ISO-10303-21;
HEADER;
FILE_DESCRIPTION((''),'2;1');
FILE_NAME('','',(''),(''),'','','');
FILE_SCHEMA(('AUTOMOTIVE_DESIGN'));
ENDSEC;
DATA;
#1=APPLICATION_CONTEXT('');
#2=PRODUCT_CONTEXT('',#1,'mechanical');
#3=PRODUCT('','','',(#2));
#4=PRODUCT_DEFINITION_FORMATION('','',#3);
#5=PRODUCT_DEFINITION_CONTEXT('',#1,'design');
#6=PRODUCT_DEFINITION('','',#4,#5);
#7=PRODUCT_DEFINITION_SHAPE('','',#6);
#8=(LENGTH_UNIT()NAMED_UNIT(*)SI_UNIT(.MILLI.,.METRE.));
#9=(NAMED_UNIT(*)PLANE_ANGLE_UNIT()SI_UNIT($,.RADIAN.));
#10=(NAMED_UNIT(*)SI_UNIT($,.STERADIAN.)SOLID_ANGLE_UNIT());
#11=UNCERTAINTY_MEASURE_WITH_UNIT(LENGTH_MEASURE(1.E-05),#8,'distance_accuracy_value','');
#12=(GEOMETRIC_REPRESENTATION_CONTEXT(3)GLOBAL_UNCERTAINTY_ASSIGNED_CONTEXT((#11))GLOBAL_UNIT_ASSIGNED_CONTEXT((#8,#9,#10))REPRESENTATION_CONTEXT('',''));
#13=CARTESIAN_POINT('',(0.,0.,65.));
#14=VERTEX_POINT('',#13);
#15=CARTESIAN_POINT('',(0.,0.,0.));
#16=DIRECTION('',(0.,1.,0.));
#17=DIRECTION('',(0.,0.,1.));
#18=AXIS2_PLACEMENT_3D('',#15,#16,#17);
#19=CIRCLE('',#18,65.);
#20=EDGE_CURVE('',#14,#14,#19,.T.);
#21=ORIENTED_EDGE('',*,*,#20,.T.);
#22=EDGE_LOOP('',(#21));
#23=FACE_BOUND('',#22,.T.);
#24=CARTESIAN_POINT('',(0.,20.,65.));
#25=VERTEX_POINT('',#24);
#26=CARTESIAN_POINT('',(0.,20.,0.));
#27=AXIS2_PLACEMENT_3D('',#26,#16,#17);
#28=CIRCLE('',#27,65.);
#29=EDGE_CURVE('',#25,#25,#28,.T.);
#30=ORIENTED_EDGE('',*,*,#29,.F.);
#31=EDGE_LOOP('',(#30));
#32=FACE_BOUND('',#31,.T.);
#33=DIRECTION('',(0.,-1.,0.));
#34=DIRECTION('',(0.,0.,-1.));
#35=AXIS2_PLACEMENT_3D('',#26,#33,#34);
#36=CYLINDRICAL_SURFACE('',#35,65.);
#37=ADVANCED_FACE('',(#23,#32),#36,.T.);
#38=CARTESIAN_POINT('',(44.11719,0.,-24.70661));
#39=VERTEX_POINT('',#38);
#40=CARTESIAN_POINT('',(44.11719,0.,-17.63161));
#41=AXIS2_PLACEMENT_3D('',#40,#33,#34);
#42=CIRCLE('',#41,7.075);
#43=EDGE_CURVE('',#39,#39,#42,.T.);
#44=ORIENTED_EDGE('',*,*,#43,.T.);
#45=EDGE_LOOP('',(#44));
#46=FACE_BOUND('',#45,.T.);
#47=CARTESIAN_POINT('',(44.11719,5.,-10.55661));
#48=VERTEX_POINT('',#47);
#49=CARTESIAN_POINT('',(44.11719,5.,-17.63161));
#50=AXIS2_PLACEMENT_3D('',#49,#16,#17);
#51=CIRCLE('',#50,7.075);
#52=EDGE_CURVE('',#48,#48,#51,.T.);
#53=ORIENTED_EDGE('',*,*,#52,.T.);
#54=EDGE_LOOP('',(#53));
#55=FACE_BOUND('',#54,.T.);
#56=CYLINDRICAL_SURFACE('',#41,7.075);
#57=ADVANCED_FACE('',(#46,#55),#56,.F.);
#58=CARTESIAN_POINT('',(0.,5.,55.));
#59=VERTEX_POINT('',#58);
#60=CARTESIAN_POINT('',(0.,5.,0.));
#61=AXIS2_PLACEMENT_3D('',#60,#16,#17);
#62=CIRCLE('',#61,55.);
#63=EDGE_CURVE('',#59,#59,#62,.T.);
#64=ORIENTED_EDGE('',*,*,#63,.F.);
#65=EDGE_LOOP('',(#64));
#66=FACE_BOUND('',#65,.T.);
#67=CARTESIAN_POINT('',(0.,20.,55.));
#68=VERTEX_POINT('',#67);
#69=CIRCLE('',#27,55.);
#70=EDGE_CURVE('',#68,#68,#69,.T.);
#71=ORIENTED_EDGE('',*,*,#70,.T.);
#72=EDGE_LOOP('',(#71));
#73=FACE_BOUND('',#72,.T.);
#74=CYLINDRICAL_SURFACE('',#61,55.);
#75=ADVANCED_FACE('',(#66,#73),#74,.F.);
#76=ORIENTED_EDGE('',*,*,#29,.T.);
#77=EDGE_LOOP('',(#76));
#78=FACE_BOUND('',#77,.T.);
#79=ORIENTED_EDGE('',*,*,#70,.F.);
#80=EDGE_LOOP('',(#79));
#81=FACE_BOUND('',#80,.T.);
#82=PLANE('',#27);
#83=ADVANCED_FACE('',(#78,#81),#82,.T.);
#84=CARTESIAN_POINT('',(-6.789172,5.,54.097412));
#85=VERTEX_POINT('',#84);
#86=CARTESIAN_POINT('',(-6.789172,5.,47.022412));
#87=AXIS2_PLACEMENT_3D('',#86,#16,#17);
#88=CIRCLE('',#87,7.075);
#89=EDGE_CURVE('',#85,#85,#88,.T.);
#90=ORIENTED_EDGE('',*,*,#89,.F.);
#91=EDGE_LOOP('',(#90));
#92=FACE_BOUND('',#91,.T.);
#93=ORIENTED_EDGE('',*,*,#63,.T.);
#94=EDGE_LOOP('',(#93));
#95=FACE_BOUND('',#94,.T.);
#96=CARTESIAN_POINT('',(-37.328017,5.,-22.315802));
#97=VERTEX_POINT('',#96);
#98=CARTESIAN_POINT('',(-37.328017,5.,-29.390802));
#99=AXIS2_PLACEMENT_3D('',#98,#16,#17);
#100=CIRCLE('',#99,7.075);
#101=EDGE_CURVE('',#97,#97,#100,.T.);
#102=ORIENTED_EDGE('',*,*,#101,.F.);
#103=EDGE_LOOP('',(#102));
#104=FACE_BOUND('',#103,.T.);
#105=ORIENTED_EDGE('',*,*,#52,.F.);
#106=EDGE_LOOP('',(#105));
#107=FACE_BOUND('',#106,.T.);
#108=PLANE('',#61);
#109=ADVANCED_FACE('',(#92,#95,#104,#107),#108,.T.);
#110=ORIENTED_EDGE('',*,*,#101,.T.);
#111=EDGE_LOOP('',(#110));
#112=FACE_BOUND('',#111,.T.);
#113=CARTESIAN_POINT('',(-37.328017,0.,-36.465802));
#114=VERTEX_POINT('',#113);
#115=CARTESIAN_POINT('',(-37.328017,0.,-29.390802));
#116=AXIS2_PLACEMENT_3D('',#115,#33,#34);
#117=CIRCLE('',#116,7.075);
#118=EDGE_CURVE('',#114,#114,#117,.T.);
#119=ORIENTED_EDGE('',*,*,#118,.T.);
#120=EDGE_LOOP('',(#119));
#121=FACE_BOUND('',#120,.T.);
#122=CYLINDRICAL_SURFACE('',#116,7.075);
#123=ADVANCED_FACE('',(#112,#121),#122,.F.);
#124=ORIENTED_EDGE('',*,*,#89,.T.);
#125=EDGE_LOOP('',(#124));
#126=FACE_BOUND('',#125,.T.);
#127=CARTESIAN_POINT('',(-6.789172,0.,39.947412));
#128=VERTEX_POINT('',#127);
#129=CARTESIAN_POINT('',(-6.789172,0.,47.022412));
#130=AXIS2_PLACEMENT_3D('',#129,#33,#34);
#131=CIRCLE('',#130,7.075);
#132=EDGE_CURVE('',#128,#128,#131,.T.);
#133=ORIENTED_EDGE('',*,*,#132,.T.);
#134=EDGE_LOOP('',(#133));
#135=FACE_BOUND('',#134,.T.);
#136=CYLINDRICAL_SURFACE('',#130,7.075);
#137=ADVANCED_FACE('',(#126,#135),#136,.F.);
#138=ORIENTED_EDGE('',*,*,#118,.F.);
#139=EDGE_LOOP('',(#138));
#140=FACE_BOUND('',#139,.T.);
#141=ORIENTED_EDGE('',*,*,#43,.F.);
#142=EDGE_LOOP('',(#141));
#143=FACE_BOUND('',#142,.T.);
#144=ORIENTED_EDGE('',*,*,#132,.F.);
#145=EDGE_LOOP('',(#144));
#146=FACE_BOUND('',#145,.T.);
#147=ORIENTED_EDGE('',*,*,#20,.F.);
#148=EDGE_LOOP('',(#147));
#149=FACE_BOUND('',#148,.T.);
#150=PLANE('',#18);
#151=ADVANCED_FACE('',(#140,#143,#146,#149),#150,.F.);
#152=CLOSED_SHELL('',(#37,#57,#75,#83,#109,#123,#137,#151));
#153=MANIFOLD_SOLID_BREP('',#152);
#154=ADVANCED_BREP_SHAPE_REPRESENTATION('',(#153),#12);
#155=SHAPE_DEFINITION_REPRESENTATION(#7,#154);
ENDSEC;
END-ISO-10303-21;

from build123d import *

# Parameters (mm, degrees)
SKETCH1_R                 = 65
BOSS_EXTRUDE1_DEPTH       = 20
SKETCH2_R                 = 55
CUT_EXTRUDE1_DEPTH        = 15
F_1_0MM_DOWEL_HOLE1_D     = 14.15
F_1_0MM_DOWEL_HOLE1_DEPTH = 8.14891112
F_1_0MM_DOWEL_HOLE1_TIP   = 4.25108888


with BuildPart() as part:
    # Sketch1 → Boss-Extrude1 (new body)
    with BuildSketch(Plane(origin=(0, 0, 0), x_dir=(1, 0, 0), z_dir=(0, 1, 0))):
        with Locations(Location((0, 0, 0), (0, 0, 270))):
            Circle(SKETCH1_R)
    extrude(amount=BOSS_EXTRUDE1_DEPTH)

    # Sketch2 → Cut-Extrude1 (cut)
    with BuildSketch(Plane(origin=(0, 20, 0), x_dir=(1, 0, 0), z_dir=(0, 1, 0))):
        with Locations(Location((0, 0, 0), (0, 0, 270))):
            Circle(SKETCH2_R)
    extrude(amount=-CUT_EXTRUDE1_DEPTH, mode=Mode.SUBTRACT)

    # Ø1.0mm Dowel Hole1
    with Locations(Plane(origin=(0, 0, 0), x_dir=(-1, 0, 0), z_dir=(0, -1, 0))):
        with Locations((37.328017274, 29.390801732), (6.7891723, -47.022412098), (-44.117189574, 17.631610366)):
            Hole(F_1_0MM_DOWEL_HOLE1_D / 2, depth=F_1_0MM_DOWEL_HOLE1_DEPTH)
            with Locations((0, 0, -(F_1_0MM_DOWEL_HOLE1_DEPTH + F_1_0MM_DOWEL_HOLE1_TIP / 2))):  # 118° drill point
                Cone(0, F_1_0MM_DOWEL_HOLE1_D / 2, F_1_0MM_DOWEL_HOLE1_TIP, mode=Mode.SUBTRACT)


solid = part.part
